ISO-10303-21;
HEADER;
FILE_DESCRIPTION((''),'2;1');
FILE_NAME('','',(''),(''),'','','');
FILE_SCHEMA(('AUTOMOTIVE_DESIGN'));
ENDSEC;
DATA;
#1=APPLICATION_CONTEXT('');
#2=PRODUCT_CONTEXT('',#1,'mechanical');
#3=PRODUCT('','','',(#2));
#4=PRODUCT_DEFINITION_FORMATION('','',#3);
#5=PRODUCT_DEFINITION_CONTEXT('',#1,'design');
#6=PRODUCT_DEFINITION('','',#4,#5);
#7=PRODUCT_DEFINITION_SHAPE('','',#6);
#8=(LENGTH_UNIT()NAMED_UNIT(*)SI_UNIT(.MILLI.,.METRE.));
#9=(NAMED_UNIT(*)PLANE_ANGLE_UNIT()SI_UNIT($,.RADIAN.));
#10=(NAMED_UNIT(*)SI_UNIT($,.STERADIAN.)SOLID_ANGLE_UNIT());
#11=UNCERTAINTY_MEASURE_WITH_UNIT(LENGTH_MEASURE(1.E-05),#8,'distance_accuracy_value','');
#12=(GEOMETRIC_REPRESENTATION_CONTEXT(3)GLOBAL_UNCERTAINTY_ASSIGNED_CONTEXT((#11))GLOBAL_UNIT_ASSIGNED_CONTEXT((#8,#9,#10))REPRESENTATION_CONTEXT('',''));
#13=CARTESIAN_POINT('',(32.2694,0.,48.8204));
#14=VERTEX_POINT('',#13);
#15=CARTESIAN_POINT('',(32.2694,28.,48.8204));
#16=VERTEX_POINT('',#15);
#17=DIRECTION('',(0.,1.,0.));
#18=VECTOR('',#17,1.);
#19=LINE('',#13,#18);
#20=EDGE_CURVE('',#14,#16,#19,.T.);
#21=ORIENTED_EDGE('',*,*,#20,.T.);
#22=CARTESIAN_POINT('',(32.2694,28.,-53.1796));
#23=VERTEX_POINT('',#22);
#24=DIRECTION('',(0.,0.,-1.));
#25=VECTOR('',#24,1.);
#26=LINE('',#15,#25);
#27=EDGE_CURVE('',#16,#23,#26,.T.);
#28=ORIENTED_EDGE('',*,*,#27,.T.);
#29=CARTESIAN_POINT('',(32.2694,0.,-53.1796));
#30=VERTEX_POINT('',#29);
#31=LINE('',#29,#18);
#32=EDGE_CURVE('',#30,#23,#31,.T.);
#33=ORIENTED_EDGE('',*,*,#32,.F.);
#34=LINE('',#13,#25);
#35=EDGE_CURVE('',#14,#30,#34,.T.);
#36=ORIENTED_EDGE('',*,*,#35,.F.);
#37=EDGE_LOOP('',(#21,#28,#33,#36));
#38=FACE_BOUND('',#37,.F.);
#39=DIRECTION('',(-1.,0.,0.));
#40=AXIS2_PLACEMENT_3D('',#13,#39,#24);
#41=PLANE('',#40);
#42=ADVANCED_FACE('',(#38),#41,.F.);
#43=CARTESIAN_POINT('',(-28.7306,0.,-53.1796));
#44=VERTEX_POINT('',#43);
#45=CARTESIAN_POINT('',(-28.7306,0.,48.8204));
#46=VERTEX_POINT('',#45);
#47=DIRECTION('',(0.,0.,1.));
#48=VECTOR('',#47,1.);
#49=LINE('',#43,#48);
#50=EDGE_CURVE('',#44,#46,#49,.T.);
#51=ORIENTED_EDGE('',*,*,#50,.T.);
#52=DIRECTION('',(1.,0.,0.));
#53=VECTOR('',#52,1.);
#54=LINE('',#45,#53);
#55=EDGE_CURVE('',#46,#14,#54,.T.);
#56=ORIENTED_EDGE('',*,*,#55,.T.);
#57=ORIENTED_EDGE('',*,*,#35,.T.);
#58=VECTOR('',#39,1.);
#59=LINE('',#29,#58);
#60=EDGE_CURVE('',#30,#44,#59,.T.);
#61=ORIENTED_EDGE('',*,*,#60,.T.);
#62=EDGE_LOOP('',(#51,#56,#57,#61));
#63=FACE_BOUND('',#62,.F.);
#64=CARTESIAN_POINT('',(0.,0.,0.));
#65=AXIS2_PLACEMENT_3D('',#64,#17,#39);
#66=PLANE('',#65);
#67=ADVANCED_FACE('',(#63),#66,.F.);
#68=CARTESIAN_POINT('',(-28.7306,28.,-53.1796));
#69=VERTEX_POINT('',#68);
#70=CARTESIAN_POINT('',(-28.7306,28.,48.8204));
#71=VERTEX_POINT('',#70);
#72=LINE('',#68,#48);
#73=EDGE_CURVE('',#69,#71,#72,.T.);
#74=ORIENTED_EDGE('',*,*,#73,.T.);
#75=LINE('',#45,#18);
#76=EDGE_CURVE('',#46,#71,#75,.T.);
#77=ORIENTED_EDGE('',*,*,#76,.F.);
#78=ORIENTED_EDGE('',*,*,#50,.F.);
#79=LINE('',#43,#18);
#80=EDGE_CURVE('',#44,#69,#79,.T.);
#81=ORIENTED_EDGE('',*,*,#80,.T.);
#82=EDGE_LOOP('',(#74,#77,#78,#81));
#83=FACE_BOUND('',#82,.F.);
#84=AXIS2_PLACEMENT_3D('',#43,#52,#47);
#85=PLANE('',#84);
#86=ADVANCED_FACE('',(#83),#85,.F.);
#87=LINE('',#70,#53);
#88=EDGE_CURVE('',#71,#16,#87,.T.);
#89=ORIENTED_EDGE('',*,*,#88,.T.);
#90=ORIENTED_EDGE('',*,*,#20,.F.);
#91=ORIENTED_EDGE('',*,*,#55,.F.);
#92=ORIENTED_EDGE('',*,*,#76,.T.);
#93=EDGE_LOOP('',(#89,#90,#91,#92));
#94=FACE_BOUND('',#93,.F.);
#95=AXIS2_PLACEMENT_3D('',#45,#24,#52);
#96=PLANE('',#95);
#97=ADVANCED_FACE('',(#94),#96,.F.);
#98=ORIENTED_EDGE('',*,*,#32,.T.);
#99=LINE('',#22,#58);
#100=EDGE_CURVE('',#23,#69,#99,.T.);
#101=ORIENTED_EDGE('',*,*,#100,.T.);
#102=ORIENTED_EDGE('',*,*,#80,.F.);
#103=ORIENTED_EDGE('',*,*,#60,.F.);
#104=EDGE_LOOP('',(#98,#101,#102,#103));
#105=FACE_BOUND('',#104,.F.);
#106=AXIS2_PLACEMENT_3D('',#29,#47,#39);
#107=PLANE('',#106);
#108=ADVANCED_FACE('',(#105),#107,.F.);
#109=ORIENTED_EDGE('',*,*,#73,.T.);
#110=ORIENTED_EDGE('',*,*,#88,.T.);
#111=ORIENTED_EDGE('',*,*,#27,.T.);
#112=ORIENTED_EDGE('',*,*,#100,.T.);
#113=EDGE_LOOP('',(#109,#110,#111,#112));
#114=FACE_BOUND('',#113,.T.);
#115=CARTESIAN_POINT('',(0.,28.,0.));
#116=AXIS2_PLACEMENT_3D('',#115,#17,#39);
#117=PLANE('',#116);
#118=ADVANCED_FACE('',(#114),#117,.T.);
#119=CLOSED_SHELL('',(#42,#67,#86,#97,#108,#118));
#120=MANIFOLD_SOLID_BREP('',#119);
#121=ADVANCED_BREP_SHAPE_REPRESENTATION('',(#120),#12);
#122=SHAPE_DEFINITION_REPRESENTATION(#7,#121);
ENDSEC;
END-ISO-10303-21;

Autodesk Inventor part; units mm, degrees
ref_plane "YZ Plane" through (0, 0, 0) normal (1, 0, 0) x (0, 1, 0)
ref_plane "XZ Plane" through (0, 0, 0) normal (0, 1, 0) x (-1, 0, 0)
ref_plane "XY Plane" through (0, 0, 0) normal (0, 0, 1) x (1, 0, 0)
sketch "Sketch1" plane through (0, 0, 0) normal (0, 1, 0) x (-1, 0, 0)
  line L0 (28.7306, 48.8204) -> (-32.2694, 48.8204)
  line L1 (-32.2694, 48.8204) -> (-32.2694, -53.1796)
  line L2 (-32.2694, -53.1796) -> (28.7306, -53.1796)
  line L3 (28.7306, -53.1796) -> (28.7306, 48.8204)
  point P0 (0, 0)
  dimension "d0" = 102
  dimension "d1" = 61
extrude "Extrusion1" add sketch "Sketch1" along normal blind 28
properties part number "usb hub d link"
